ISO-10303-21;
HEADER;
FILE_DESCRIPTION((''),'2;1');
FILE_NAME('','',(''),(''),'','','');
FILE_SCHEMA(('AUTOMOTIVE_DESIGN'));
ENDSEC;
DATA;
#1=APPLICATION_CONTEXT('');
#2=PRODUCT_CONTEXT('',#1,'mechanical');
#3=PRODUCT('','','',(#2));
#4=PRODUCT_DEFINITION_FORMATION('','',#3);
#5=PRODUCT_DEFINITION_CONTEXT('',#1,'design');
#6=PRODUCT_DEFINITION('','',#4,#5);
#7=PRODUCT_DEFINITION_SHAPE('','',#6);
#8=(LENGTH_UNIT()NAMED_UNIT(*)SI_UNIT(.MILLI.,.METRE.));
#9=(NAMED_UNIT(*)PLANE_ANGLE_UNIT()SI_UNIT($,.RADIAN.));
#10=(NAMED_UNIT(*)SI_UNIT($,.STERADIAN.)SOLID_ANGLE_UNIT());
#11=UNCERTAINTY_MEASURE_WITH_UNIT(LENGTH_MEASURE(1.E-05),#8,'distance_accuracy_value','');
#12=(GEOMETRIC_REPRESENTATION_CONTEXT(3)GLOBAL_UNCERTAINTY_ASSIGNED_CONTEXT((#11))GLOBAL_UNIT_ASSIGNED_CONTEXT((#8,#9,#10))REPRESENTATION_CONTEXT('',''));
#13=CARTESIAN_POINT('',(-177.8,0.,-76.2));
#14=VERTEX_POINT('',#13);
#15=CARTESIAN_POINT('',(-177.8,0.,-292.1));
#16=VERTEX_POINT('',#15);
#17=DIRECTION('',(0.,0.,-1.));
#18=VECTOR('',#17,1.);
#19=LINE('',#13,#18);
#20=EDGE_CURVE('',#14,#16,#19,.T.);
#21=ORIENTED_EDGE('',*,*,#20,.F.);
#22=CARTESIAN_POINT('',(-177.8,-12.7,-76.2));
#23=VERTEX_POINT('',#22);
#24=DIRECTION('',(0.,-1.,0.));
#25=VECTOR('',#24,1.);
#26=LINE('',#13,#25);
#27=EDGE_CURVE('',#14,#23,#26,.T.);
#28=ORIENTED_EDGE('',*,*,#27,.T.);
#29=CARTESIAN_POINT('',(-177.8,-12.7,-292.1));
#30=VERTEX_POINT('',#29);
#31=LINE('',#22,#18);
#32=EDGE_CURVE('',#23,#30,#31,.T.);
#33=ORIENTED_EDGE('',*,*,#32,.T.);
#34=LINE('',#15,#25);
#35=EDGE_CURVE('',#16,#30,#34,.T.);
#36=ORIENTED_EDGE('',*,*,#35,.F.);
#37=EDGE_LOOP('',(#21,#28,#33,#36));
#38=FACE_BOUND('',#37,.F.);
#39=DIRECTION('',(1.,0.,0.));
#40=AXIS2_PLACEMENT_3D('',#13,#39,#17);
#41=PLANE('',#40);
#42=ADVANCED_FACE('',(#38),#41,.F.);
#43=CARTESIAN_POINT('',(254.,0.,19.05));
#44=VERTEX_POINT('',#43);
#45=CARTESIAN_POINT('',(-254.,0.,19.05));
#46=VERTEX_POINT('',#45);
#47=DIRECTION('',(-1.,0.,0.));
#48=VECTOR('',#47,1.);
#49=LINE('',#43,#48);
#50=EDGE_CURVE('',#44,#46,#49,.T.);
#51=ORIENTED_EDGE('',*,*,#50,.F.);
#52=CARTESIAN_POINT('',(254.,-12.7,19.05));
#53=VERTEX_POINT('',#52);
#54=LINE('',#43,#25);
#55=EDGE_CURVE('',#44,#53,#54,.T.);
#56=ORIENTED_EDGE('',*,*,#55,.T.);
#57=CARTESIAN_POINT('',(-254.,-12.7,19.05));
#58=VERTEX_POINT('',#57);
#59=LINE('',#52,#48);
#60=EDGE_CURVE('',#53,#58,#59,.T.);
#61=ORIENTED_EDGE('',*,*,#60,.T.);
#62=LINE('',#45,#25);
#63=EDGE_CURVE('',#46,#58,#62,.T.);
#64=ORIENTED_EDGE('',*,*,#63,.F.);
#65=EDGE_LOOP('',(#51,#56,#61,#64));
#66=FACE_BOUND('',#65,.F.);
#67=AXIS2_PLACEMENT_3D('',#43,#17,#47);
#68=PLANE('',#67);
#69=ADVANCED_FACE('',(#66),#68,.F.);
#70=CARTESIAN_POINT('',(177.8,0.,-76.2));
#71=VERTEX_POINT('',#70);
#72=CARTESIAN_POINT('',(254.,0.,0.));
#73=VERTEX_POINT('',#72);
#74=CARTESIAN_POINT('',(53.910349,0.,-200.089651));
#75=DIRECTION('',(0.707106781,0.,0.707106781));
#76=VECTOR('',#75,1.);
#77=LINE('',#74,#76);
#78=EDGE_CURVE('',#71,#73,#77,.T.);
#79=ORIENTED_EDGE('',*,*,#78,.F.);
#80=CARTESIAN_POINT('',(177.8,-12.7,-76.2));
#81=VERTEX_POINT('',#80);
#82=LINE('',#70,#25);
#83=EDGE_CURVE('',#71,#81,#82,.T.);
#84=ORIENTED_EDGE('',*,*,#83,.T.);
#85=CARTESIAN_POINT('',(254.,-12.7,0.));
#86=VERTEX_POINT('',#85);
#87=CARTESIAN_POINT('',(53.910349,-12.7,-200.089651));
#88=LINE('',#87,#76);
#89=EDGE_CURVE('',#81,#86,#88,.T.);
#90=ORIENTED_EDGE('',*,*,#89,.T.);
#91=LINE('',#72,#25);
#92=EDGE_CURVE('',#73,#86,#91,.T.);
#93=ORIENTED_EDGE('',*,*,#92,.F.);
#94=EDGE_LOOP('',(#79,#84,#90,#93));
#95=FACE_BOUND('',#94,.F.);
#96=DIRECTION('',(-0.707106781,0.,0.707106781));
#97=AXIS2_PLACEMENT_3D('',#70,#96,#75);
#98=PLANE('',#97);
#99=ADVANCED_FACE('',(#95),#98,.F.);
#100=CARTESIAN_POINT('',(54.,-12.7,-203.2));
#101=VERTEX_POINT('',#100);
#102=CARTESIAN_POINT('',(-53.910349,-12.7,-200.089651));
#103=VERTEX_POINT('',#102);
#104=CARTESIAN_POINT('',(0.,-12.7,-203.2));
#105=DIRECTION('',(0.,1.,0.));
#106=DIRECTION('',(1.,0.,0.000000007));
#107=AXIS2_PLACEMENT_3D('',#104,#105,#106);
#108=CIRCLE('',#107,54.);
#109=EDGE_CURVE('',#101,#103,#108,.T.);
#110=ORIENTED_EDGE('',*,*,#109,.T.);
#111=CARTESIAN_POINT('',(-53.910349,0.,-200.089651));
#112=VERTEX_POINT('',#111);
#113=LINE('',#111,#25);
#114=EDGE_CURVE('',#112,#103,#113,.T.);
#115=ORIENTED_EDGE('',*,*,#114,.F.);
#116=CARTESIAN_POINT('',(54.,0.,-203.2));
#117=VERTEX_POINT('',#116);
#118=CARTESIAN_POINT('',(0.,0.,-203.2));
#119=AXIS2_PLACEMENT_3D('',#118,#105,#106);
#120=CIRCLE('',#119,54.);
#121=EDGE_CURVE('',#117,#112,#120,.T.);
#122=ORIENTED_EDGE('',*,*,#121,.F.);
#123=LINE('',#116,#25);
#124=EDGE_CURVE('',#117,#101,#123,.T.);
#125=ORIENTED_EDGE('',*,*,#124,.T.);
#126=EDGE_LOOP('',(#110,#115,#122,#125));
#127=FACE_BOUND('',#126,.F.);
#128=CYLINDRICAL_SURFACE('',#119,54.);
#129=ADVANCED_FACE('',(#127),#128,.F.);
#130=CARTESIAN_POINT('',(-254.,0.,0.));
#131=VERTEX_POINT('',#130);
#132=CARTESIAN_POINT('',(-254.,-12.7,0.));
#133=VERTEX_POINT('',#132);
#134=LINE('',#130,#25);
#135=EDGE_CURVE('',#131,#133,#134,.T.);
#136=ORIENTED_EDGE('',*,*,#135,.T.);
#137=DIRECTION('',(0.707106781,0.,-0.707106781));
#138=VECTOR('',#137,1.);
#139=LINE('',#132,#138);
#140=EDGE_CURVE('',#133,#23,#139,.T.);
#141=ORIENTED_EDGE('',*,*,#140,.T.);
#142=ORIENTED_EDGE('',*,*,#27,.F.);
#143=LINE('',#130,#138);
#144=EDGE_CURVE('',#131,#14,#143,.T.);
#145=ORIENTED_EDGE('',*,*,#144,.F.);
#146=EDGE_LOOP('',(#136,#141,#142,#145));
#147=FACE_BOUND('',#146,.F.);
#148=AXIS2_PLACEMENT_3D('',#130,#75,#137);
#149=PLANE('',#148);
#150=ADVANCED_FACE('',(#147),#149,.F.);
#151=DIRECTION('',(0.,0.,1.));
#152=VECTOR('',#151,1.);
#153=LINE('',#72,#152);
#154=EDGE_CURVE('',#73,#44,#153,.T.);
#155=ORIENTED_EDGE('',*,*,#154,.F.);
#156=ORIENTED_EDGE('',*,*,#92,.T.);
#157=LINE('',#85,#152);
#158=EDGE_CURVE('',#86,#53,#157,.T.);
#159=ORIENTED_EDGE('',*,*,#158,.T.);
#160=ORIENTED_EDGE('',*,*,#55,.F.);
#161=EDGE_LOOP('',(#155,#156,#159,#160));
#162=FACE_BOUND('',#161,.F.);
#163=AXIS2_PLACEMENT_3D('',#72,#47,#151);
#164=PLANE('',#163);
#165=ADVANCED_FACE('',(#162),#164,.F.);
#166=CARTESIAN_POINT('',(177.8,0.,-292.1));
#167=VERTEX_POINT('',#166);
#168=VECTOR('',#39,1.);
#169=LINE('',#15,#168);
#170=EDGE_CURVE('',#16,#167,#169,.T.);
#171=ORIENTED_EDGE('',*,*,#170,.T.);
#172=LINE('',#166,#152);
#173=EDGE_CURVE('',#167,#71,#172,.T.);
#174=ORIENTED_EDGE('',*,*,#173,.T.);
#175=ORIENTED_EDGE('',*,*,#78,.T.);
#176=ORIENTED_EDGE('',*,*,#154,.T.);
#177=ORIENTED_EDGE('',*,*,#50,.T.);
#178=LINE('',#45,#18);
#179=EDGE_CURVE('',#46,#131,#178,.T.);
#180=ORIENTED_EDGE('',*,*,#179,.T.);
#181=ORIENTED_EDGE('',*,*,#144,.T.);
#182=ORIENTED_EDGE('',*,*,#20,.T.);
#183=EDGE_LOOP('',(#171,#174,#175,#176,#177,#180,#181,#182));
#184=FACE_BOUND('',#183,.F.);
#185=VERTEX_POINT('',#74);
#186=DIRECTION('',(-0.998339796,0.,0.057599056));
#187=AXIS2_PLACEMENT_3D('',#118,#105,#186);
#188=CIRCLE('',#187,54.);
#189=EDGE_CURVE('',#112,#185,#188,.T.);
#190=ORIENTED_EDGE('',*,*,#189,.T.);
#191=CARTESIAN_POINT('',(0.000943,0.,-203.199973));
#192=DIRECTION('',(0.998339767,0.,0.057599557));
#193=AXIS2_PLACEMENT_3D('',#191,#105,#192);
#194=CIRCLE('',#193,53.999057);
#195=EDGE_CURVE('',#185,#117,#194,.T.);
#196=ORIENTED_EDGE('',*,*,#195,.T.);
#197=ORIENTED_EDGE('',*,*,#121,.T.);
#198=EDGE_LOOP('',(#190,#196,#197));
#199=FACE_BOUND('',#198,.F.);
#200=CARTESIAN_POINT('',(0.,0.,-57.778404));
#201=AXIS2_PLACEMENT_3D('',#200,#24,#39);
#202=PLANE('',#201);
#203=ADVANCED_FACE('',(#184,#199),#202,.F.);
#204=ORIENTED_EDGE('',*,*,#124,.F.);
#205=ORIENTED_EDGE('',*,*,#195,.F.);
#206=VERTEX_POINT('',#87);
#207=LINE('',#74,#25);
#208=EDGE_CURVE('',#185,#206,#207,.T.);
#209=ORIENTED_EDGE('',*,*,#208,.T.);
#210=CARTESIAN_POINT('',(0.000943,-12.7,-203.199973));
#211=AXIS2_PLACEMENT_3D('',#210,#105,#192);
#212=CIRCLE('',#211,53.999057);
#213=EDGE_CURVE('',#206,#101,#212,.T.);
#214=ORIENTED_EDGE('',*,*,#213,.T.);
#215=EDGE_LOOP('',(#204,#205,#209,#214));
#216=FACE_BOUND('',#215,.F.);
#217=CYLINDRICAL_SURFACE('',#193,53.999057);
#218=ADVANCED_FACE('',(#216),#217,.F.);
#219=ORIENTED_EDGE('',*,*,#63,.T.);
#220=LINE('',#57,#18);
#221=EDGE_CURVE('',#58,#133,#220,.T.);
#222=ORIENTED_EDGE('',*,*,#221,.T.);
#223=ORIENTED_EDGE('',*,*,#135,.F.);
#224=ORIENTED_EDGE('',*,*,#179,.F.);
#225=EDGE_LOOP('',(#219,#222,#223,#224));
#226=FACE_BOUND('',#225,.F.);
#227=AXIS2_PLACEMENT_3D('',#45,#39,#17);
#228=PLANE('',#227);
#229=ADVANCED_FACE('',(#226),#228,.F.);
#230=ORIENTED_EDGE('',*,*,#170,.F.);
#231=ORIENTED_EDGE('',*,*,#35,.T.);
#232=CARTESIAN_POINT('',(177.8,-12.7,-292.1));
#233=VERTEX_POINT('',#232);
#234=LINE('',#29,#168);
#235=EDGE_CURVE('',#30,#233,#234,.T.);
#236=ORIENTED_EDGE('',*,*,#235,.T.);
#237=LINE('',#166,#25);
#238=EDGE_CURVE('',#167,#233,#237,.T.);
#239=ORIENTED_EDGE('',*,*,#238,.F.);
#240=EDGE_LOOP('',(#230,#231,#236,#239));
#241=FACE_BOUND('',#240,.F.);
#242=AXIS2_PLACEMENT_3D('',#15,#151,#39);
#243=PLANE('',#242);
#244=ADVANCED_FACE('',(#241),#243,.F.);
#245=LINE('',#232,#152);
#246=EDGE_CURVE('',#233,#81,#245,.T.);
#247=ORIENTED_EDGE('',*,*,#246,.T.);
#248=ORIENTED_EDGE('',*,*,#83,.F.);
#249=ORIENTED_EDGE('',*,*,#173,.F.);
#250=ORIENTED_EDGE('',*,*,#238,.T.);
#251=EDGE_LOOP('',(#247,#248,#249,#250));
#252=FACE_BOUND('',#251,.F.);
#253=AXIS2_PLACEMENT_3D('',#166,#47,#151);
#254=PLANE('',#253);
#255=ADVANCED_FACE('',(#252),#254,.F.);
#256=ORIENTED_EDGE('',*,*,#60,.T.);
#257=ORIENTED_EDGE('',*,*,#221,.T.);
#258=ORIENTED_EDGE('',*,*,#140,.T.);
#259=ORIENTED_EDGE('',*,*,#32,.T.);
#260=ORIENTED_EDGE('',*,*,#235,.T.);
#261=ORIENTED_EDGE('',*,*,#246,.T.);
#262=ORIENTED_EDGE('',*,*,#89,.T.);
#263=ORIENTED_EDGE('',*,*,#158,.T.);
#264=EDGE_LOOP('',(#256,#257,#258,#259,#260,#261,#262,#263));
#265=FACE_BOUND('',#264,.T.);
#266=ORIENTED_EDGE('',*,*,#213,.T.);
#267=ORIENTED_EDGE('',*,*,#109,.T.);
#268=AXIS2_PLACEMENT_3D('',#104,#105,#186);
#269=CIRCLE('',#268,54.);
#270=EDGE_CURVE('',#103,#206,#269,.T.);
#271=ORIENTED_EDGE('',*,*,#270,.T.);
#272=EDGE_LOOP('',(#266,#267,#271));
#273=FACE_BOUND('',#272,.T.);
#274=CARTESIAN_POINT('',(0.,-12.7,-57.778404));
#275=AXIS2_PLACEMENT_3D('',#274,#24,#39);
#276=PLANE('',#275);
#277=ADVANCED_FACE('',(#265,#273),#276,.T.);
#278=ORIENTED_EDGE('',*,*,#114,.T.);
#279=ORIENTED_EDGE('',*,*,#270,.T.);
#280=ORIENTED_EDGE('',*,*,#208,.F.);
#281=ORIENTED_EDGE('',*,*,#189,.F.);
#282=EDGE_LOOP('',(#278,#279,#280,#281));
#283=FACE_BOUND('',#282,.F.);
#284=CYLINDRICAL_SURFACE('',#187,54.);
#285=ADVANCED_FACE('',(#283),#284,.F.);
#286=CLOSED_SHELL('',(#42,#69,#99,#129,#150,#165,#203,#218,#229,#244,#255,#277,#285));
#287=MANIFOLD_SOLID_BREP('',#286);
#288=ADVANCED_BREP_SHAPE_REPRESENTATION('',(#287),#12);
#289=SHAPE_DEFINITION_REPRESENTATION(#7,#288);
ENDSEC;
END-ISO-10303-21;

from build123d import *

# Parameters (mm, degrees)
F1_DEPTH = 12.7


with BuildPart() as f1:
    # F0 (on Front) → F1 (new body)
    with BuildSketch(Plane.XZ):
        with BuildLine():
            Line((177.8, -76.2), (254, 0))
            Line((254, 0), (254, 19.05))
            Line((254, 19.05), (-254, 19.05))
            Line((-254, 19.05), (-254, 0))
            Line((-254, 0), (-177.8, -76.2))
            Line((-177.8, -76.2), (-53.910349, -200.089651))
            ThreePointArc((-53.910349, -200.089651), (0, -149.2), (53.910349, -200.089651))
            Line((53.910349, -200.089651), (177.8, -76.2))
        make_face()
        with BuildLine():
            Line((177.8, -292.1), (177.8, -76.2))
            Line((177.8, -76.2), (53.910349, -200.089651))
            ThreePointArc((53.910349, -200.089651), (53.977583, -201.64418), (54, -203.2))
            ThreePointArc((54, -203.2), (-1.55582, -257.177583), (-53.910349, -200.089651))
            Line((-53.910349, -200.089651), (-177.8, -76.2))
            Line((-177.8, -76.2), (-177.8, -292.1))
            Line((-177.8, -292.1), (177.8, -292.1))
        make_face()
    extrude(amount=F1_DEPTH)


solid = f1.part
